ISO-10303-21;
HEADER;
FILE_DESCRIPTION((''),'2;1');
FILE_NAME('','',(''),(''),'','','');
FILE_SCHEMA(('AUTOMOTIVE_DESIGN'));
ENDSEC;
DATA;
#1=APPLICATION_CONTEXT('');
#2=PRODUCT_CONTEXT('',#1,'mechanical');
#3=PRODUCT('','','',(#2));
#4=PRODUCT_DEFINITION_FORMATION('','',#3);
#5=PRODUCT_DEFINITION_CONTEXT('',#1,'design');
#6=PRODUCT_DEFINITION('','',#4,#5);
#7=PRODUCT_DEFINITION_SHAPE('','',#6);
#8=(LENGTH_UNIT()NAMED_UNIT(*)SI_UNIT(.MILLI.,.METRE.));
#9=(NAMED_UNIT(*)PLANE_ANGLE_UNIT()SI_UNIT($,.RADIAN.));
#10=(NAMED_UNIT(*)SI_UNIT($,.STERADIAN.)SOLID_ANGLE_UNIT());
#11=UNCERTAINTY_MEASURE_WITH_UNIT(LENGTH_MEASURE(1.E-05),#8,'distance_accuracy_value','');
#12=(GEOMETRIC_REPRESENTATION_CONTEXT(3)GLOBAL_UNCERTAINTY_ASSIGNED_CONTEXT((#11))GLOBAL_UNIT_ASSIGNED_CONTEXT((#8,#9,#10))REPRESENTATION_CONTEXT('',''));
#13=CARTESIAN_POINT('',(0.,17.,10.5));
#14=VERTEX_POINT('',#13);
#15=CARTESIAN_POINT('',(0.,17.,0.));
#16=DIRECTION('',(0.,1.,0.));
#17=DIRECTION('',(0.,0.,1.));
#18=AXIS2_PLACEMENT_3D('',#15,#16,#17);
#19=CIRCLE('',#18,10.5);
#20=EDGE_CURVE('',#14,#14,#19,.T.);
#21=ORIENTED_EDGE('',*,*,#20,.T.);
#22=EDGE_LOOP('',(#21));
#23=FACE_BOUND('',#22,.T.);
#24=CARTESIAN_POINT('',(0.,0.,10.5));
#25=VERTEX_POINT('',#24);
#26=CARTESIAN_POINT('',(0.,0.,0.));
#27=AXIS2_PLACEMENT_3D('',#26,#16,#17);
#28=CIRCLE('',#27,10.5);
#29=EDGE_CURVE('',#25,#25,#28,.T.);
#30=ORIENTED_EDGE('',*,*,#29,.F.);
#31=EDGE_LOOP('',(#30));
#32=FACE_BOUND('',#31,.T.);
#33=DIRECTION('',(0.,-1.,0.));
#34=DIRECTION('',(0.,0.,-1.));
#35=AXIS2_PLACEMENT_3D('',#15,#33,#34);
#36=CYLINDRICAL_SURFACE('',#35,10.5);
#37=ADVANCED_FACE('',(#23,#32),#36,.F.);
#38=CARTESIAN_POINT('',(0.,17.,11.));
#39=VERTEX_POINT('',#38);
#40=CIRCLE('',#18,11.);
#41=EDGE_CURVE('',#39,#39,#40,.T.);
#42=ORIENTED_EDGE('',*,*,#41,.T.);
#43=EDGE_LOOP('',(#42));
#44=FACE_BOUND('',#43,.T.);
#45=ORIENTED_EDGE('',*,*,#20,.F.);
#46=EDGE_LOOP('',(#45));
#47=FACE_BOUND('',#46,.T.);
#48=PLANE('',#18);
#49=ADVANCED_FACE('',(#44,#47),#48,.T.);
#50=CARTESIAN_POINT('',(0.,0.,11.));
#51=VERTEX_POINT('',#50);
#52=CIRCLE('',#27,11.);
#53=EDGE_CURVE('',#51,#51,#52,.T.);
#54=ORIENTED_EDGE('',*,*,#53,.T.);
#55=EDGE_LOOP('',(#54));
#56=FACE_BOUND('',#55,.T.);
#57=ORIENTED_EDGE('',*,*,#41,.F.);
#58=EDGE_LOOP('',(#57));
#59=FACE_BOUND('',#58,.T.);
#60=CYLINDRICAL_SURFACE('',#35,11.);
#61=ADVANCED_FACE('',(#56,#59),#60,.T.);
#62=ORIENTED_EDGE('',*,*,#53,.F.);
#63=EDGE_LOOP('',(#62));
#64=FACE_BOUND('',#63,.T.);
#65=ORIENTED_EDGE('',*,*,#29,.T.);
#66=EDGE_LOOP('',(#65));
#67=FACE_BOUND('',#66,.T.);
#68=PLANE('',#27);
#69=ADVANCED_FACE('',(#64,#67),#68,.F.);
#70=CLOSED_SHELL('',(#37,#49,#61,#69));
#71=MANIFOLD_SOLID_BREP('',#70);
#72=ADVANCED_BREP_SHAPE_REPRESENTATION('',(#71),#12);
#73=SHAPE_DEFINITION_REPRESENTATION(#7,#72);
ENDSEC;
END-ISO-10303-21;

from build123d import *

# Parameters (mm, degrees)
SKETCH1_R           = 11
SKETCH1_R_2         = 10.5
BOSS_EXTRUDE1_DEPTH = 17


with BuildPart() as part:
    # Sketch1 → Boss-Extrude1 (new body)
    with BuildSketch(Plane(origin=(0, 0, 0), x_dir=(1, 0, 0), z_dir=(0, 1, 0))):
        with Locations(Location((0, 0, 0), (0, 0, 270))):
            Circle(SKETCH1_R)
        with Locations(Location((0, 0, 0), (0, 0, 270))):
            Circle(SKETCH1_R_2, mode=Mode.SUBTRACT)
    extrude(amount=BOSS_EXTRUDE1_DEPTH)


solid = part.part
